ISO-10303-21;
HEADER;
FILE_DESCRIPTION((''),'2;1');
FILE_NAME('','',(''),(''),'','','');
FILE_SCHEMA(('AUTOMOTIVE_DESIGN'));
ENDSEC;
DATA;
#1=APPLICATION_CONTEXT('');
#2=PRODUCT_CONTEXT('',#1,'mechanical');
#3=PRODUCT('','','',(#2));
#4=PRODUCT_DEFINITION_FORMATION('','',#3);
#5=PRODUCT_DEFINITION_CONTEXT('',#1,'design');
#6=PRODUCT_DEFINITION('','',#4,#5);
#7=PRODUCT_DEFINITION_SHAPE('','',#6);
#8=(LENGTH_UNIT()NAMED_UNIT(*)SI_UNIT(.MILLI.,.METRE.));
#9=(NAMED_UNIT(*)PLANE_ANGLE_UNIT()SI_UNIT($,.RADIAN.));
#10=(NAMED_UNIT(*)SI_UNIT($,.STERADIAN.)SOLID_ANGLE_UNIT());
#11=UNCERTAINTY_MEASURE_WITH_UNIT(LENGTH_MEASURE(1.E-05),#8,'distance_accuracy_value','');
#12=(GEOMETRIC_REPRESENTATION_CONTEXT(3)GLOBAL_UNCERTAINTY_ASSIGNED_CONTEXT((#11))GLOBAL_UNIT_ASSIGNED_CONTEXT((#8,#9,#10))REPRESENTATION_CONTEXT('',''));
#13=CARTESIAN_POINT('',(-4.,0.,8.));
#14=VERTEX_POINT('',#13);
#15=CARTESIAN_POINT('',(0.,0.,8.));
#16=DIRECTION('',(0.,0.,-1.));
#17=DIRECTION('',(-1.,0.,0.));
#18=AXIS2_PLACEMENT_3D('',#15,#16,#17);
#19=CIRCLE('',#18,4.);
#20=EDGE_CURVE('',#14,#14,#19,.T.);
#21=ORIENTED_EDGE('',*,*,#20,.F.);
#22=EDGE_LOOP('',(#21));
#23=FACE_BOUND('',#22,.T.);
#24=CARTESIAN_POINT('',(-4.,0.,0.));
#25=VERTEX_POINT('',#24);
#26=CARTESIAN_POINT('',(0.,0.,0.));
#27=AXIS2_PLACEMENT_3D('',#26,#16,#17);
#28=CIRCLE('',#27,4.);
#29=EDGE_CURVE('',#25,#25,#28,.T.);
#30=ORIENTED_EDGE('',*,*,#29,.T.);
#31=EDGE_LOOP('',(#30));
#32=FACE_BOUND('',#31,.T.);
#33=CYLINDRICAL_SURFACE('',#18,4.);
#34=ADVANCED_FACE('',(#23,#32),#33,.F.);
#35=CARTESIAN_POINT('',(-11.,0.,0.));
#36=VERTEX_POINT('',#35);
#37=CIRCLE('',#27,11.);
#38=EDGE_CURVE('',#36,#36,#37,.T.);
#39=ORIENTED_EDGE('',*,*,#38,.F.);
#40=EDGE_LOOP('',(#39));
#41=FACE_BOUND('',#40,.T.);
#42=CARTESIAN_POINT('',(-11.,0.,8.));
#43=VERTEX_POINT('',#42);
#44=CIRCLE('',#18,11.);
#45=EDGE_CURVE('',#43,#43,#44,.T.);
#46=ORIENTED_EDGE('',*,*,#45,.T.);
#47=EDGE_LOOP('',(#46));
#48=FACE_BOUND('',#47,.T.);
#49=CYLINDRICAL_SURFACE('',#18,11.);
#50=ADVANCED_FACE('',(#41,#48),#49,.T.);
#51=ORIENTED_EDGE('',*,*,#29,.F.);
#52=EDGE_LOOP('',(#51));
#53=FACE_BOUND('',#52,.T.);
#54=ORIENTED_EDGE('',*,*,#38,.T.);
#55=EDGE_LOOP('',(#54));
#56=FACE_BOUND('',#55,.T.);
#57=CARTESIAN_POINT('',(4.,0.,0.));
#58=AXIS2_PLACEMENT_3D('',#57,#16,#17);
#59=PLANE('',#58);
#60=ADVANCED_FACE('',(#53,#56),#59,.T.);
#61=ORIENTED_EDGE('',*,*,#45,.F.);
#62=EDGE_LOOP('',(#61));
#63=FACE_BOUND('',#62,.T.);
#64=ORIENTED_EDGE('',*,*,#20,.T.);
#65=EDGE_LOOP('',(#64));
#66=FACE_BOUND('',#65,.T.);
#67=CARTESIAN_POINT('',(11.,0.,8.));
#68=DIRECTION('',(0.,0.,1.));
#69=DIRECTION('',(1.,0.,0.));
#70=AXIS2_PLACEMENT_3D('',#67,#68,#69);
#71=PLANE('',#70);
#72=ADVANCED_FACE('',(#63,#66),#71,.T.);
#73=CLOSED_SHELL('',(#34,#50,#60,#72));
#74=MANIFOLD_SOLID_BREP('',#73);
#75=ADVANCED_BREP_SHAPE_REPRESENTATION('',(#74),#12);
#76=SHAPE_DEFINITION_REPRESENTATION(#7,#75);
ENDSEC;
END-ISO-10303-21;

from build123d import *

# Parameters (mm, degrees)
SKETCH1_W = 7
SKETCH1_H = 8


with BuildPart() as part:
    # Sketch1 → Revolve1 (revolve)
    with BuildSketch(Plane.XZ, mode=Mode.PRIVATE) as revolve1_sk:
        with Locations((7.5, 4)):
            Rectangle(SKETCH1_W, SKETCH1_H)
    revolve(revolve1_sk.sketch.rotate(Axis((0, 0, 8), (0, 0, -1)), 180), axis=Axis((0, 0, 8), (0, 0, -1)))


solid = part.part
